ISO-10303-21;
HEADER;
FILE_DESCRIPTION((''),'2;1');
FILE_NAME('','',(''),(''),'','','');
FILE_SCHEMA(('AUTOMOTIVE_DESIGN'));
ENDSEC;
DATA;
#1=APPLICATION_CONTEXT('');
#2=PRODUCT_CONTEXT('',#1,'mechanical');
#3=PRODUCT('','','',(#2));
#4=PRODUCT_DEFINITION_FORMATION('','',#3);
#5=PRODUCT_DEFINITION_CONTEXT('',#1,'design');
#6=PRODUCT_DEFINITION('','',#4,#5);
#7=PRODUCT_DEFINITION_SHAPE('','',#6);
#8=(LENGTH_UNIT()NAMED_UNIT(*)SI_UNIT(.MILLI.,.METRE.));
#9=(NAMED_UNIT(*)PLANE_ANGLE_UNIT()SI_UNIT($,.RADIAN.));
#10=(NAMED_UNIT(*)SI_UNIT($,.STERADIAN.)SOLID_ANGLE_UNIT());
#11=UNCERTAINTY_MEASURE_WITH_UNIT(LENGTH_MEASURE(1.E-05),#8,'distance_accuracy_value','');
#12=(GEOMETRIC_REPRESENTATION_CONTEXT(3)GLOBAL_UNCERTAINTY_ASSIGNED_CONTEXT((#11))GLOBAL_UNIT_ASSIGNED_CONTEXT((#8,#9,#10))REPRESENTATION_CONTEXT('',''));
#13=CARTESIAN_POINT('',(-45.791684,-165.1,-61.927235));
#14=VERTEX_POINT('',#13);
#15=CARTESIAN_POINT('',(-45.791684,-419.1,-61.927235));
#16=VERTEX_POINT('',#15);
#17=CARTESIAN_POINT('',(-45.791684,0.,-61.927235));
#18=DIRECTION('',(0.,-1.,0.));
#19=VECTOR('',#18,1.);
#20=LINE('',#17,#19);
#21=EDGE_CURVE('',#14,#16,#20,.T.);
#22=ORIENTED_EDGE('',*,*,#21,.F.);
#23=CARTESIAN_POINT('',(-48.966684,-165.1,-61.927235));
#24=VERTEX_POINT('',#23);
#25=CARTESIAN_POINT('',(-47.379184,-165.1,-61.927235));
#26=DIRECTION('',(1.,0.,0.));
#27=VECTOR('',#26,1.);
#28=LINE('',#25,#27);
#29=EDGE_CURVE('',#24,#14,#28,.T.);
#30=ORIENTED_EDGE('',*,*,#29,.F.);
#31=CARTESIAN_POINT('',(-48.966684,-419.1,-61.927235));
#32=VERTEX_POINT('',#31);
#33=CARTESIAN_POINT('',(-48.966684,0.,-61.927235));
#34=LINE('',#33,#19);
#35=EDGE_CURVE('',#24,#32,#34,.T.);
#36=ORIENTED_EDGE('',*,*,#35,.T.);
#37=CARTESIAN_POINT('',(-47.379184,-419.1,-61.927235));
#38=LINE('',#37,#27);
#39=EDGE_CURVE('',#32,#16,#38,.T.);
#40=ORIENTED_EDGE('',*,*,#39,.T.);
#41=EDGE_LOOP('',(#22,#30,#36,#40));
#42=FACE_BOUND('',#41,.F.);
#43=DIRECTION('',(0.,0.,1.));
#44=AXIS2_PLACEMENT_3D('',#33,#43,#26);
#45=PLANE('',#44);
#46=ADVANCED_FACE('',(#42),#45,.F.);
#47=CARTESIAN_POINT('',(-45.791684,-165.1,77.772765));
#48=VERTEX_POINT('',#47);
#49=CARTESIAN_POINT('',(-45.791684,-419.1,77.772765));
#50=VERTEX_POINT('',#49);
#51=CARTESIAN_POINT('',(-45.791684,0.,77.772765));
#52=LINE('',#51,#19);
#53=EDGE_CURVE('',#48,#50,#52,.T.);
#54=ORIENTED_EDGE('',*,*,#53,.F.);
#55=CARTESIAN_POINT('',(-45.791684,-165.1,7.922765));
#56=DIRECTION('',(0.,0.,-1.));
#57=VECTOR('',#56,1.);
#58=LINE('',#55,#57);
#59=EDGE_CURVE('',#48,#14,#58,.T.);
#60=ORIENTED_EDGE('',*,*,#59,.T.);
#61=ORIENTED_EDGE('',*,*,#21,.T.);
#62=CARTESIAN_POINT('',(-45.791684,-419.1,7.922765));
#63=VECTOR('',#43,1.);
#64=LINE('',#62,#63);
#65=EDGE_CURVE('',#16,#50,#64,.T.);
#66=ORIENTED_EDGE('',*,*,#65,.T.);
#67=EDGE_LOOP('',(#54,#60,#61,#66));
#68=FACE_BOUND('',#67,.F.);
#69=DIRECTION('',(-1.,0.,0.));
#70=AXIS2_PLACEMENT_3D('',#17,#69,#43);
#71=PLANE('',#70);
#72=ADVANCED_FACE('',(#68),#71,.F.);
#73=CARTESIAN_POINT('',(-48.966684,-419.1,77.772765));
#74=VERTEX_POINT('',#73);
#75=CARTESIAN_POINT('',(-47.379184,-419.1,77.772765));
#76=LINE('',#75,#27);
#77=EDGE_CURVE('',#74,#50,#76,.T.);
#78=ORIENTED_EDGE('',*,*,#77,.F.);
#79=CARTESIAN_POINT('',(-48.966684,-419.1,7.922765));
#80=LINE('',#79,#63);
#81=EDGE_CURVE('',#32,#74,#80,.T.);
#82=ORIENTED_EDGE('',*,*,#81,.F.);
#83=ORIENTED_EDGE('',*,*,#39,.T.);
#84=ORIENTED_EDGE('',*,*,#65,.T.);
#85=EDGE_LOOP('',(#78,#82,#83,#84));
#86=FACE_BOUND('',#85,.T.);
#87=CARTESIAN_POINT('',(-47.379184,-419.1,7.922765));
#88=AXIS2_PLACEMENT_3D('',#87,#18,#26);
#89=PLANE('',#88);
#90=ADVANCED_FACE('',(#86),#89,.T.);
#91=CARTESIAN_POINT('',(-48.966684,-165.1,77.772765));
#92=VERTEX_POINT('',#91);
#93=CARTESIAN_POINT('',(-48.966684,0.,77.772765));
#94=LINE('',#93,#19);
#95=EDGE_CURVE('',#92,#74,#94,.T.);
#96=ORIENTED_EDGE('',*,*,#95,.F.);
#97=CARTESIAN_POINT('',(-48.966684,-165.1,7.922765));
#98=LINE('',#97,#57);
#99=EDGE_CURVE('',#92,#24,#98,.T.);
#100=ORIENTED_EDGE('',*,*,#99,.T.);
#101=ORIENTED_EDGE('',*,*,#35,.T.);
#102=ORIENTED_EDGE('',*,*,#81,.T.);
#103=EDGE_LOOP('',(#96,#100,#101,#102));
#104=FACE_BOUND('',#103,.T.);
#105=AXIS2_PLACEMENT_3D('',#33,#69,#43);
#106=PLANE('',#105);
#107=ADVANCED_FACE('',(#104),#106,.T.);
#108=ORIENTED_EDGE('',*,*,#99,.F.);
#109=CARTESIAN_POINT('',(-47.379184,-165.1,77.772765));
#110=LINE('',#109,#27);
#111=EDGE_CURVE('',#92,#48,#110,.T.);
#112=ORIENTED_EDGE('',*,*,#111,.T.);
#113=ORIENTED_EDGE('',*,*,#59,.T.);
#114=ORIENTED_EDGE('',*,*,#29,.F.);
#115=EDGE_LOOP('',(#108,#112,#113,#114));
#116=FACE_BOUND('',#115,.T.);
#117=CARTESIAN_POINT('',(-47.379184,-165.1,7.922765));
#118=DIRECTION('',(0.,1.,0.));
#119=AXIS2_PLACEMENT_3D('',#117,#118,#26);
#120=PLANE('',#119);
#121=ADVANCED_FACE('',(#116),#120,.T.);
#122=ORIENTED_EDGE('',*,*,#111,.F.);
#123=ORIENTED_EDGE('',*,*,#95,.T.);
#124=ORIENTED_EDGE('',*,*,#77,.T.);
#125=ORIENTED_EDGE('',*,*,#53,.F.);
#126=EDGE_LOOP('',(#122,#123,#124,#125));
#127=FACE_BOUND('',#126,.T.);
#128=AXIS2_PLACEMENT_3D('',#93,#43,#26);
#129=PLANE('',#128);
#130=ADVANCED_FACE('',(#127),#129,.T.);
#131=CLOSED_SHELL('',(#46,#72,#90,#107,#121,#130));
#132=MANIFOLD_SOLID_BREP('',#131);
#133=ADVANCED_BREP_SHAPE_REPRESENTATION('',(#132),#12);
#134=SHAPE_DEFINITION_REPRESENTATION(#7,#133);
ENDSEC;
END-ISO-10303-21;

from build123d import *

# Parameters (mm, degrees)
F0_W      = 3.175
F0_H      = 139.7
F1_DEPTH  = 419.1
F1_FACE_W = 3.175
F1_FACE_H = 139.7
F2_DEPTH  = 165.1


with BuildPart() as f1:
    # F0 (on Front) → F1 (new body)
    with BuildSketch(Plane.XZ):
        with Locations((-47.379184, 7.922765)):
            Rectangle(F0_W, F0_H)
    extrude(amount=F1_DEPTH)

    # F1_face (on face) → F2 (cut)
    with BuildSketch(Plane(origin=(-47.379184, 0, 7.922765), x_dir=(1, 0, 0), z_dir=(0, 1, 0))):
        Rectangle(F1_FACE_W, F1_FACE_H)
    extrude(amount=-F2_DEPTH, mode=Mode.SUBTRACT)


solid = f1.part
